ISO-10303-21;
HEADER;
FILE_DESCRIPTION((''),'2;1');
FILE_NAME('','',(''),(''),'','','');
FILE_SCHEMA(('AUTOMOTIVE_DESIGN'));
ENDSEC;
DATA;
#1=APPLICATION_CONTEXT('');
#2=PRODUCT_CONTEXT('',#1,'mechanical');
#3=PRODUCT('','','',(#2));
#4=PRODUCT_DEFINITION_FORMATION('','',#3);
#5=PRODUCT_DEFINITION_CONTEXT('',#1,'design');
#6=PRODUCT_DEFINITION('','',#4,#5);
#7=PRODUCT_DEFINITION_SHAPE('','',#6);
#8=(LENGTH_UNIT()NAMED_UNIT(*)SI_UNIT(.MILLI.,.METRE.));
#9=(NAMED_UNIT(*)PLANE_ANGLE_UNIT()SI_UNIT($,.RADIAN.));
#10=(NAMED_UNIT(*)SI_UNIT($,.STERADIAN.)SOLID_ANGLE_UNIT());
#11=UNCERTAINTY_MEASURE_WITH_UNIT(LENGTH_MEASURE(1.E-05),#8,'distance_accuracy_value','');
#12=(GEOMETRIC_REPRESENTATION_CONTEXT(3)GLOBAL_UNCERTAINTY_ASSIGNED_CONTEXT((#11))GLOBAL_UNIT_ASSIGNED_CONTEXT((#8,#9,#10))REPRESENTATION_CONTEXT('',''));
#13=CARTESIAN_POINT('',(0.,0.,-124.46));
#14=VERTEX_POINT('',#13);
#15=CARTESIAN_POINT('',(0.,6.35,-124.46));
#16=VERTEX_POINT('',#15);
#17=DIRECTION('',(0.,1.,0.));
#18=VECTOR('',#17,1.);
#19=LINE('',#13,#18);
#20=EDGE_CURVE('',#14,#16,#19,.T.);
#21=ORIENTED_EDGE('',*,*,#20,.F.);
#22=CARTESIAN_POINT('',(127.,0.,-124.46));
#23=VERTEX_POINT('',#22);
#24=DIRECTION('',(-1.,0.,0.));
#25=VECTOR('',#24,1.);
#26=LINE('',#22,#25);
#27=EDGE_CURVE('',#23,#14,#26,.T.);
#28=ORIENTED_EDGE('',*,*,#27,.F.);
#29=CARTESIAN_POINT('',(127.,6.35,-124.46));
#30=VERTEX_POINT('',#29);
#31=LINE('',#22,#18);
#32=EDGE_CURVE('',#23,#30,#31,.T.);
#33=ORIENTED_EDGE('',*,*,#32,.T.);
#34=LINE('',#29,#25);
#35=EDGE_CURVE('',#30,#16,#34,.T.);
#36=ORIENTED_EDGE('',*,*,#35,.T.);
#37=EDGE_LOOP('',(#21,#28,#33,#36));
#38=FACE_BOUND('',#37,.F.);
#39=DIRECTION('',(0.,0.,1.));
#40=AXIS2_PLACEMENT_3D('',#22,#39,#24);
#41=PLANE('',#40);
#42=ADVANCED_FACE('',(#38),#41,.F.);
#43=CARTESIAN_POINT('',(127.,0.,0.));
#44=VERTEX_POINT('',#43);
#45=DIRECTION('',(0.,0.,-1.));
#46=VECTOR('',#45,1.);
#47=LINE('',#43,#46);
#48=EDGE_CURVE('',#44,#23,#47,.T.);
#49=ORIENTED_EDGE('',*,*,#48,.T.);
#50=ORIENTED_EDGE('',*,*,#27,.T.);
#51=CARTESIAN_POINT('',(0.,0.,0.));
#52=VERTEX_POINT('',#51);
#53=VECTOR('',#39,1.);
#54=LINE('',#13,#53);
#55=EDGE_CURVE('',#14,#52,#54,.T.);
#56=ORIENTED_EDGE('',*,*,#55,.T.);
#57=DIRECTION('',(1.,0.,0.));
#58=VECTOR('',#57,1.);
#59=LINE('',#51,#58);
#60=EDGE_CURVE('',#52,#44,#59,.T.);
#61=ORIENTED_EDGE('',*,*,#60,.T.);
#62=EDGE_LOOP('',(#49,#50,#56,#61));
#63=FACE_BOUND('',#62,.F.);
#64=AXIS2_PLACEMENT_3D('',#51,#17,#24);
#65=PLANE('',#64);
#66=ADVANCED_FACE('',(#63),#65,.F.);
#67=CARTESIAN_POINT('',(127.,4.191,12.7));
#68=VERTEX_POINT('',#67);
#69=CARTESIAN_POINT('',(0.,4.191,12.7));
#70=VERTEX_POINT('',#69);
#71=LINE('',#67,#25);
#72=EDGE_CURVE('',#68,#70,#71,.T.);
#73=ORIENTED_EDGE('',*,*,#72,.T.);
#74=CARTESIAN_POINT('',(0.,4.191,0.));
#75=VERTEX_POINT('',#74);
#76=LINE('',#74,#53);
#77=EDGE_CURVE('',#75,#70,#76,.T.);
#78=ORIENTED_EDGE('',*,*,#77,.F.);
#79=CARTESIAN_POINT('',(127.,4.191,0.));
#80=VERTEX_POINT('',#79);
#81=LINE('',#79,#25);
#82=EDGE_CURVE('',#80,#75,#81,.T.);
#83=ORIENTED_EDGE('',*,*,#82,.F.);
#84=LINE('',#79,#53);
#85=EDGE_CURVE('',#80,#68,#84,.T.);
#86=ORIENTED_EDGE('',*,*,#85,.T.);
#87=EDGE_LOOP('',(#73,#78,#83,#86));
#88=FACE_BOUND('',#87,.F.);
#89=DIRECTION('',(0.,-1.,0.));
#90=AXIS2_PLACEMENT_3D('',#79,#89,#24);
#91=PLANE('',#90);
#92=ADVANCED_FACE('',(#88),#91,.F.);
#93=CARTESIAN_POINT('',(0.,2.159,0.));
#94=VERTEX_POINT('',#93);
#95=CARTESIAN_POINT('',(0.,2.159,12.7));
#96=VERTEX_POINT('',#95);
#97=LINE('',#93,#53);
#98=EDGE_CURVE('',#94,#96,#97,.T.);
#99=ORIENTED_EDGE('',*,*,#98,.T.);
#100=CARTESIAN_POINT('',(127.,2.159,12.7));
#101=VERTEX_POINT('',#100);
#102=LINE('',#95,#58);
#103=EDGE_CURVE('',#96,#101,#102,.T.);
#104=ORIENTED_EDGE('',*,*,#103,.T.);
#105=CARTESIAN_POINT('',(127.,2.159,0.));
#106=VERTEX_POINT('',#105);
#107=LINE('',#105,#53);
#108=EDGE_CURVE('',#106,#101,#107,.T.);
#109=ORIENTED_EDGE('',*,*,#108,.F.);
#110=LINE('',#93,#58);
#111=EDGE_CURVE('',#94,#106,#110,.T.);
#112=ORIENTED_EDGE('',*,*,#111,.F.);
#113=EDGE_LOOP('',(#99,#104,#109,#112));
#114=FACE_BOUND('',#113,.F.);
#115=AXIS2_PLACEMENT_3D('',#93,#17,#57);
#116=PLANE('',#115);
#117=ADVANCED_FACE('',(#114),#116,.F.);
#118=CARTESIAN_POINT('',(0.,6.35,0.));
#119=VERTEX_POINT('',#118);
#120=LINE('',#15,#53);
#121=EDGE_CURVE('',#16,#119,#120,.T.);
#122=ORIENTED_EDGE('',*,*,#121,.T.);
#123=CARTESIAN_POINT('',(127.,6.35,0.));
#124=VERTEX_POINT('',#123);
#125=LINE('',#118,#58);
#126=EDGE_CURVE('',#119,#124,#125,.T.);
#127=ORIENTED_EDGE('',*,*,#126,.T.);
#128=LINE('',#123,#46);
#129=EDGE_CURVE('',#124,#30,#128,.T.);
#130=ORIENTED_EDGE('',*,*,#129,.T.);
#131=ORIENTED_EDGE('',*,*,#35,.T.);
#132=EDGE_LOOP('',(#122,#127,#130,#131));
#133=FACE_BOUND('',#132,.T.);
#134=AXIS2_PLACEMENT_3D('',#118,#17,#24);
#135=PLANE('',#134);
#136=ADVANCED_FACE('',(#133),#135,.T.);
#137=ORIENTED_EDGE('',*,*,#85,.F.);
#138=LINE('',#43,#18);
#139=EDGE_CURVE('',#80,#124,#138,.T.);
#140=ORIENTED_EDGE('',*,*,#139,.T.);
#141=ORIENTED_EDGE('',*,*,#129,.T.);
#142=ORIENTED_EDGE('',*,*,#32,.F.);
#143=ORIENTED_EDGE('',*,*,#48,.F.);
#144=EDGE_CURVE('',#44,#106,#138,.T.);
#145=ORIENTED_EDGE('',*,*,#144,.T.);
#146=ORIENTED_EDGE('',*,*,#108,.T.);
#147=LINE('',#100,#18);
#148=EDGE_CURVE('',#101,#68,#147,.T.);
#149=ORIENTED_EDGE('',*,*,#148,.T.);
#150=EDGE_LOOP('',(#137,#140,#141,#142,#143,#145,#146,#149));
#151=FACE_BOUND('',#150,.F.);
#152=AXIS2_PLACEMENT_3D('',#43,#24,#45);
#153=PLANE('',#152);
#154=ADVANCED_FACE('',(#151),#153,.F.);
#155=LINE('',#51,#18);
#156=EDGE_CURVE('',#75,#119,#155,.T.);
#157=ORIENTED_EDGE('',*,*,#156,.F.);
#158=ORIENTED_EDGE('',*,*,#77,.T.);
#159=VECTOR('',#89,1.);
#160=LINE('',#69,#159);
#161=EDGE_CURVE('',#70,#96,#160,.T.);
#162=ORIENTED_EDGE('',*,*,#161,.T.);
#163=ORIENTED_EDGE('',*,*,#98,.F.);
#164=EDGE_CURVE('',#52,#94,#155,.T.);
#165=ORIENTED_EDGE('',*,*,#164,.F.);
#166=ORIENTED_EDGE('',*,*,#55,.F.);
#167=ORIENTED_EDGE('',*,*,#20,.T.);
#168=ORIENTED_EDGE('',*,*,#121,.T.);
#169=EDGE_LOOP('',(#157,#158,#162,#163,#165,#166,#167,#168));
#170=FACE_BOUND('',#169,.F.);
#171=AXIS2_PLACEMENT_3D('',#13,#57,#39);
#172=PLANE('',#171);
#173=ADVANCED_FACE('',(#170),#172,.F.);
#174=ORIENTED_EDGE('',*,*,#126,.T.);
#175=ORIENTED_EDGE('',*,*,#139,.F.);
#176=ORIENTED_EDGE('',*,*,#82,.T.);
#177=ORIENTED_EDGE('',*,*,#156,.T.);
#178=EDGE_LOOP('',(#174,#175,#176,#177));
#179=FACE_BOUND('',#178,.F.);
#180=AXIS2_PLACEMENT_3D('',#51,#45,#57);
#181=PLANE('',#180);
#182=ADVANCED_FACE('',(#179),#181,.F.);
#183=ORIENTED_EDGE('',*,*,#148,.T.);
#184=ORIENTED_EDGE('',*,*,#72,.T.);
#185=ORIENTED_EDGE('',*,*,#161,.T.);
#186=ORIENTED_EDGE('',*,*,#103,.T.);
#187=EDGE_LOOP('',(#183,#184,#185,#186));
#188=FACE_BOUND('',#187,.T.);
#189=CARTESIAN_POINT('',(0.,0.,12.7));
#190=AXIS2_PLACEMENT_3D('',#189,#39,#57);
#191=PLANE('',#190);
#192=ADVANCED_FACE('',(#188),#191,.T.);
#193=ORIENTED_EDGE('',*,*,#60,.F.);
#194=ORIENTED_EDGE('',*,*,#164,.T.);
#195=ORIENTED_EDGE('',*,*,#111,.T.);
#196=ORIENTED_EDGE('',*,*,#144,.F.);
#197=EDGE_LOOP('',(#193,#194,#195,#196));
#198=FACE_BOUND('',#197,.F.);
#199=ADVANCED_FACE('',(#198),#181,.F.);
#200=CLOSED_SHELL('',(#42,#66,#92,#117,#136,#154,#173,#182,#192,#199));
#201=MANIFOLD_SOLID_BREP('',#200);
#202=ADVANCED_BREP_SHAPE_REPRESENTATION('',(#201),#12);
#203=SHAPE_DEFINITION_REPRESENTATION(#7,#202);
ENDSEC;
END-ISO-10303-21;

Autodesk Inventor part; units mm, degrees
ref_plane "YZ Plane" through (0, 0, 0) normal (1, 0, 0) x (0, 1, 0)
ref_plane "XZ Plane" through (0, 0, 0) normal (0, 1, 0) x (-1, 0, 0)
ref_plane "XY Plane" through (0, 0, 0) normal (0, 0, 1) x (1, 0, 0)
sketch "Sketch1" plane through (0, 0, 0) normal (0, 1, 0) x (-1, 0, 0)
  line L0 (0, 0) -> (-127, 0)
  line L1 (-127, 0) -> (-127, -124.46)
  line L2 (-127, -124.46) -> (0, -124.46)
  line L3 (0, -124.46) -> (0, 0)
  dimension "d0" = 127
  dimension "d1" = 124.46
extrude "Extrusion1" add sketch "Sketch1" along normal blind 6.35
sketch "Sketch2" plane through (0, 0, 0) normal (0, 0, 1) x (1, 0, 0)
  line L0 (0, 6.35) -> (127, 6.35) construction
  line L1 (0, 6.35) -> (2.921, 6.35) construction
  line L2 (0, 0) -> (127, 0) construction
  line L3 (127, 3.429) -> (127, 2.921) construction
  line L4 (0, 6.35) -> (0, 4.191) construction
  line L5 (0, 0) -> (0, 6.35) construction
  line L6 (0, 6.35) -> (2.159, 6.35) construction
  line L7 (0, 0) -> (0, 2.159) construction
  line L8 (0, 4.191) -> (0, 2.159)
  line L9 (0, 2.159) -> (127, 2.159)
  line L10 (127, 2.159) -> (127, 4.191)
  line L11 (127, 4.191) -> (0, 4.191)
  dimension "d9" = 2.159
  dimension "d10" = 90
  dimension "d11" = 2.159
extrude "Extrusion2" add sketch "Sketch2" along normal blind 12.7
properties part number "False_Bottom_3"
